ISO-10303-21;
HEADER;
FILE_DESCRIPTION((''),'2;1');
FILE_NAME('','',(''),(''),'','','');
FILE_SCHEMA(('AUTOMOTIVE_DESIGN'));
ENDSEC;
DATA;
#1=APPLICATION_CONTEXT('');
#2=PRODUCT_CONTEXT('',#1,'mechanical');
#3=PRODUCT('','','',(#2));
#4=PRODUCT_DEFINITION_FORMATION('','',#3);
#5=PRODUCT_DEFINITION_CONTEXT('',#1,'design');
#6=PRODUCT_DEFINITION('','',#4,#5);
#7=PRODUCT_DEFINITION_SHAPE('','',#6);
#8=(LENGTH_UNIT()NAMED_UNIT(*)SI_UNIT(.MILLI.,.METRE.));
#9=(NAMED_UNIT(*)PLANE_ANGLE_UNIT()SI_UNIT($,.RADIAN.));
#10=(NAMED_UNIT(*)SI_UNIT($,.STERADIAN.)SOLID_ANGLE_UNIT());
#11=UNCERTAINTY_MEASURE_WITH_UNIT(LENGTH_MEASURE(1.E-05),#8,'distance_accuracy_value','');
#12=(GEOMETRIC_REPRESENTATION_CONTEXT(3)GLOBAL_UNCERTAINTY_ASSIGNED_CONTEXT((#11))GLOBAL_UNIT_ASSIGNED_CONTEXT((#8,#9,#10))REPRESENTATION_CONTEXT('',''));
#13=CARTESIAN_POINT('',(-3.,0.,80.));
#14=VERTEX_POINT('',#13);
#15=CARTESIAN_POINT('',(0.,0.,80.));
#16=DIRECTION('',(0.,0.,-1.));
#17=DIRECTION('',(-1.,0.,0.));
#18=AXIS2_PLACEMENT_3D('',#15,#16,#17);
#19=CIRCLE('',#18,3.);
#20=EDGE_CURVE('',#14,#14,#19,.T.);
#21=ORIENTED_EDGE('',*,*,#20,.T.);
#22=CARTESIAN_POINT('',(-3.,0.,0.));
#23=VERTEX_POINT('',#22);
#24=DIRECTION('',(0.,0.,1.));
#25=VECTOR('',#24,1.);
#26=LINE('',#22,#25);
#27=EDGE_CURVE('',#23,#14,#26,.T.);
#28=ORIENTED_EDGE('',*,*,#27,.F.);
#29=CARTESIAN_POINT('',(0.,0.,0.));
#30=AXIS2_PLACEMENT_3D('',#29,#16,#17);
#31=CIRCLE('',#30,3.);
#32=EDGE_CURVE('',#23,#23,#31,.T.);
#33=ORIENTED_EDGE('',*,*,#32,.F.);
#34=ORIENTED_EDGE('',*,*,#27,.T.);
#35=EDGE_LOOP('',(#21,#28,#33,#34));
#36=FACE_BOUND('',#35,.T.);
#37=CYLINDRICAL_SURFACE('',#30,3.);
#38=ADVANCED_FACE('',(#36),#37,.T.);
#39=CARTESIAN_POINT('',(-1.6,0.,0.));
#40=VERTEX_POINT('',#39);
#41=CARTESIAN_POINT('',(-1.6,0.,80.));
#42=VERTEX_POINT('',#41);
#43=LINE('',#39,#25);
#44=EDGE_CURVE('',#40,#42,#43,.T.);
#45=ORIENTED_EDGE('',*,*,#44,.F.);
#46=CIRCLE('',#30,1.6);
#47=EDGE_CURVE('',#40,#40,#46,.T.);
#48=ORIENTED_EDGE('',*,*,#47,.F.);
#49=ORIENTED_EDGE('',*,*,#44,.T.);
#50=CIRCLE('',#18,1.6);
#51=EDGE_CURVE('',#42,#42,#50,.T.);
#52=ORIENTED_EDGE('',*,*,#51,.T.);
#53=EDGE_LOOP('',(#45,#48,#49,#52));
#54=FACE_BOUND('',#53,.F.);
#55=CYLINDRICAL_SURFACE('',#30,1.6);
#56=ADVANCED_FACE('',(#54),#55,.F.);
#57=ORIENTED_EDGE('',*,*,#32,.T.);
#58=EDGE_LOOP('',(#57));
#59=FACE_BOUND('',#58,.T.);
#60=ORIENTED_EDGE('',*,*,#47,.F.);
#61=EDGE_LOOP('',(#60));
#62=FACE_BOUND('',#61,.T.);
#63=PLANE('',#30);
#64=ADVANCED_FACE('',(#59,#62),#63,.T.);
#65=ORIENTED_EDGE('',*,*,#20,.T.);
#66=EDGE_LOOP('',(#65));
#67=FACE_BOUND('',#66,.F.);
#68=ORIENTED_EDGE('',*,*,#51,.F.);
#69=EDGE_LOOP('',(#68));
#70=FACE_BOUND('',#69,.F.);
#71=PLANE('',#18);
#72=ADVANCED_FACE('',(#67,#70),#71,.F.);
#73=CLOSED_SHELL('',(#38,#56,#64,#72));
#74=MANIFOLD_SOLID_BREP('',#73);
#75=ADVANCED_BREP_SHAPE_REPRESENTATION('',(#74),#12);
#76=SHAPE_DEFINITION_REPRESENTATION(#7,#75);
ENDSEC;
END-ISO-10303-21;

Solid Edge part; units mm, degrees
sketch "Sketch1" plane through (0, 0, 0) normal (0, 0, -1) x (-1, 0, 0)
  circle A0 centre (0, 0) radius 3
  circle A1 centre (0, 0) radius 1.6
extrude "Protrusion1" add sketch "Sketch1" against normal blind 80
